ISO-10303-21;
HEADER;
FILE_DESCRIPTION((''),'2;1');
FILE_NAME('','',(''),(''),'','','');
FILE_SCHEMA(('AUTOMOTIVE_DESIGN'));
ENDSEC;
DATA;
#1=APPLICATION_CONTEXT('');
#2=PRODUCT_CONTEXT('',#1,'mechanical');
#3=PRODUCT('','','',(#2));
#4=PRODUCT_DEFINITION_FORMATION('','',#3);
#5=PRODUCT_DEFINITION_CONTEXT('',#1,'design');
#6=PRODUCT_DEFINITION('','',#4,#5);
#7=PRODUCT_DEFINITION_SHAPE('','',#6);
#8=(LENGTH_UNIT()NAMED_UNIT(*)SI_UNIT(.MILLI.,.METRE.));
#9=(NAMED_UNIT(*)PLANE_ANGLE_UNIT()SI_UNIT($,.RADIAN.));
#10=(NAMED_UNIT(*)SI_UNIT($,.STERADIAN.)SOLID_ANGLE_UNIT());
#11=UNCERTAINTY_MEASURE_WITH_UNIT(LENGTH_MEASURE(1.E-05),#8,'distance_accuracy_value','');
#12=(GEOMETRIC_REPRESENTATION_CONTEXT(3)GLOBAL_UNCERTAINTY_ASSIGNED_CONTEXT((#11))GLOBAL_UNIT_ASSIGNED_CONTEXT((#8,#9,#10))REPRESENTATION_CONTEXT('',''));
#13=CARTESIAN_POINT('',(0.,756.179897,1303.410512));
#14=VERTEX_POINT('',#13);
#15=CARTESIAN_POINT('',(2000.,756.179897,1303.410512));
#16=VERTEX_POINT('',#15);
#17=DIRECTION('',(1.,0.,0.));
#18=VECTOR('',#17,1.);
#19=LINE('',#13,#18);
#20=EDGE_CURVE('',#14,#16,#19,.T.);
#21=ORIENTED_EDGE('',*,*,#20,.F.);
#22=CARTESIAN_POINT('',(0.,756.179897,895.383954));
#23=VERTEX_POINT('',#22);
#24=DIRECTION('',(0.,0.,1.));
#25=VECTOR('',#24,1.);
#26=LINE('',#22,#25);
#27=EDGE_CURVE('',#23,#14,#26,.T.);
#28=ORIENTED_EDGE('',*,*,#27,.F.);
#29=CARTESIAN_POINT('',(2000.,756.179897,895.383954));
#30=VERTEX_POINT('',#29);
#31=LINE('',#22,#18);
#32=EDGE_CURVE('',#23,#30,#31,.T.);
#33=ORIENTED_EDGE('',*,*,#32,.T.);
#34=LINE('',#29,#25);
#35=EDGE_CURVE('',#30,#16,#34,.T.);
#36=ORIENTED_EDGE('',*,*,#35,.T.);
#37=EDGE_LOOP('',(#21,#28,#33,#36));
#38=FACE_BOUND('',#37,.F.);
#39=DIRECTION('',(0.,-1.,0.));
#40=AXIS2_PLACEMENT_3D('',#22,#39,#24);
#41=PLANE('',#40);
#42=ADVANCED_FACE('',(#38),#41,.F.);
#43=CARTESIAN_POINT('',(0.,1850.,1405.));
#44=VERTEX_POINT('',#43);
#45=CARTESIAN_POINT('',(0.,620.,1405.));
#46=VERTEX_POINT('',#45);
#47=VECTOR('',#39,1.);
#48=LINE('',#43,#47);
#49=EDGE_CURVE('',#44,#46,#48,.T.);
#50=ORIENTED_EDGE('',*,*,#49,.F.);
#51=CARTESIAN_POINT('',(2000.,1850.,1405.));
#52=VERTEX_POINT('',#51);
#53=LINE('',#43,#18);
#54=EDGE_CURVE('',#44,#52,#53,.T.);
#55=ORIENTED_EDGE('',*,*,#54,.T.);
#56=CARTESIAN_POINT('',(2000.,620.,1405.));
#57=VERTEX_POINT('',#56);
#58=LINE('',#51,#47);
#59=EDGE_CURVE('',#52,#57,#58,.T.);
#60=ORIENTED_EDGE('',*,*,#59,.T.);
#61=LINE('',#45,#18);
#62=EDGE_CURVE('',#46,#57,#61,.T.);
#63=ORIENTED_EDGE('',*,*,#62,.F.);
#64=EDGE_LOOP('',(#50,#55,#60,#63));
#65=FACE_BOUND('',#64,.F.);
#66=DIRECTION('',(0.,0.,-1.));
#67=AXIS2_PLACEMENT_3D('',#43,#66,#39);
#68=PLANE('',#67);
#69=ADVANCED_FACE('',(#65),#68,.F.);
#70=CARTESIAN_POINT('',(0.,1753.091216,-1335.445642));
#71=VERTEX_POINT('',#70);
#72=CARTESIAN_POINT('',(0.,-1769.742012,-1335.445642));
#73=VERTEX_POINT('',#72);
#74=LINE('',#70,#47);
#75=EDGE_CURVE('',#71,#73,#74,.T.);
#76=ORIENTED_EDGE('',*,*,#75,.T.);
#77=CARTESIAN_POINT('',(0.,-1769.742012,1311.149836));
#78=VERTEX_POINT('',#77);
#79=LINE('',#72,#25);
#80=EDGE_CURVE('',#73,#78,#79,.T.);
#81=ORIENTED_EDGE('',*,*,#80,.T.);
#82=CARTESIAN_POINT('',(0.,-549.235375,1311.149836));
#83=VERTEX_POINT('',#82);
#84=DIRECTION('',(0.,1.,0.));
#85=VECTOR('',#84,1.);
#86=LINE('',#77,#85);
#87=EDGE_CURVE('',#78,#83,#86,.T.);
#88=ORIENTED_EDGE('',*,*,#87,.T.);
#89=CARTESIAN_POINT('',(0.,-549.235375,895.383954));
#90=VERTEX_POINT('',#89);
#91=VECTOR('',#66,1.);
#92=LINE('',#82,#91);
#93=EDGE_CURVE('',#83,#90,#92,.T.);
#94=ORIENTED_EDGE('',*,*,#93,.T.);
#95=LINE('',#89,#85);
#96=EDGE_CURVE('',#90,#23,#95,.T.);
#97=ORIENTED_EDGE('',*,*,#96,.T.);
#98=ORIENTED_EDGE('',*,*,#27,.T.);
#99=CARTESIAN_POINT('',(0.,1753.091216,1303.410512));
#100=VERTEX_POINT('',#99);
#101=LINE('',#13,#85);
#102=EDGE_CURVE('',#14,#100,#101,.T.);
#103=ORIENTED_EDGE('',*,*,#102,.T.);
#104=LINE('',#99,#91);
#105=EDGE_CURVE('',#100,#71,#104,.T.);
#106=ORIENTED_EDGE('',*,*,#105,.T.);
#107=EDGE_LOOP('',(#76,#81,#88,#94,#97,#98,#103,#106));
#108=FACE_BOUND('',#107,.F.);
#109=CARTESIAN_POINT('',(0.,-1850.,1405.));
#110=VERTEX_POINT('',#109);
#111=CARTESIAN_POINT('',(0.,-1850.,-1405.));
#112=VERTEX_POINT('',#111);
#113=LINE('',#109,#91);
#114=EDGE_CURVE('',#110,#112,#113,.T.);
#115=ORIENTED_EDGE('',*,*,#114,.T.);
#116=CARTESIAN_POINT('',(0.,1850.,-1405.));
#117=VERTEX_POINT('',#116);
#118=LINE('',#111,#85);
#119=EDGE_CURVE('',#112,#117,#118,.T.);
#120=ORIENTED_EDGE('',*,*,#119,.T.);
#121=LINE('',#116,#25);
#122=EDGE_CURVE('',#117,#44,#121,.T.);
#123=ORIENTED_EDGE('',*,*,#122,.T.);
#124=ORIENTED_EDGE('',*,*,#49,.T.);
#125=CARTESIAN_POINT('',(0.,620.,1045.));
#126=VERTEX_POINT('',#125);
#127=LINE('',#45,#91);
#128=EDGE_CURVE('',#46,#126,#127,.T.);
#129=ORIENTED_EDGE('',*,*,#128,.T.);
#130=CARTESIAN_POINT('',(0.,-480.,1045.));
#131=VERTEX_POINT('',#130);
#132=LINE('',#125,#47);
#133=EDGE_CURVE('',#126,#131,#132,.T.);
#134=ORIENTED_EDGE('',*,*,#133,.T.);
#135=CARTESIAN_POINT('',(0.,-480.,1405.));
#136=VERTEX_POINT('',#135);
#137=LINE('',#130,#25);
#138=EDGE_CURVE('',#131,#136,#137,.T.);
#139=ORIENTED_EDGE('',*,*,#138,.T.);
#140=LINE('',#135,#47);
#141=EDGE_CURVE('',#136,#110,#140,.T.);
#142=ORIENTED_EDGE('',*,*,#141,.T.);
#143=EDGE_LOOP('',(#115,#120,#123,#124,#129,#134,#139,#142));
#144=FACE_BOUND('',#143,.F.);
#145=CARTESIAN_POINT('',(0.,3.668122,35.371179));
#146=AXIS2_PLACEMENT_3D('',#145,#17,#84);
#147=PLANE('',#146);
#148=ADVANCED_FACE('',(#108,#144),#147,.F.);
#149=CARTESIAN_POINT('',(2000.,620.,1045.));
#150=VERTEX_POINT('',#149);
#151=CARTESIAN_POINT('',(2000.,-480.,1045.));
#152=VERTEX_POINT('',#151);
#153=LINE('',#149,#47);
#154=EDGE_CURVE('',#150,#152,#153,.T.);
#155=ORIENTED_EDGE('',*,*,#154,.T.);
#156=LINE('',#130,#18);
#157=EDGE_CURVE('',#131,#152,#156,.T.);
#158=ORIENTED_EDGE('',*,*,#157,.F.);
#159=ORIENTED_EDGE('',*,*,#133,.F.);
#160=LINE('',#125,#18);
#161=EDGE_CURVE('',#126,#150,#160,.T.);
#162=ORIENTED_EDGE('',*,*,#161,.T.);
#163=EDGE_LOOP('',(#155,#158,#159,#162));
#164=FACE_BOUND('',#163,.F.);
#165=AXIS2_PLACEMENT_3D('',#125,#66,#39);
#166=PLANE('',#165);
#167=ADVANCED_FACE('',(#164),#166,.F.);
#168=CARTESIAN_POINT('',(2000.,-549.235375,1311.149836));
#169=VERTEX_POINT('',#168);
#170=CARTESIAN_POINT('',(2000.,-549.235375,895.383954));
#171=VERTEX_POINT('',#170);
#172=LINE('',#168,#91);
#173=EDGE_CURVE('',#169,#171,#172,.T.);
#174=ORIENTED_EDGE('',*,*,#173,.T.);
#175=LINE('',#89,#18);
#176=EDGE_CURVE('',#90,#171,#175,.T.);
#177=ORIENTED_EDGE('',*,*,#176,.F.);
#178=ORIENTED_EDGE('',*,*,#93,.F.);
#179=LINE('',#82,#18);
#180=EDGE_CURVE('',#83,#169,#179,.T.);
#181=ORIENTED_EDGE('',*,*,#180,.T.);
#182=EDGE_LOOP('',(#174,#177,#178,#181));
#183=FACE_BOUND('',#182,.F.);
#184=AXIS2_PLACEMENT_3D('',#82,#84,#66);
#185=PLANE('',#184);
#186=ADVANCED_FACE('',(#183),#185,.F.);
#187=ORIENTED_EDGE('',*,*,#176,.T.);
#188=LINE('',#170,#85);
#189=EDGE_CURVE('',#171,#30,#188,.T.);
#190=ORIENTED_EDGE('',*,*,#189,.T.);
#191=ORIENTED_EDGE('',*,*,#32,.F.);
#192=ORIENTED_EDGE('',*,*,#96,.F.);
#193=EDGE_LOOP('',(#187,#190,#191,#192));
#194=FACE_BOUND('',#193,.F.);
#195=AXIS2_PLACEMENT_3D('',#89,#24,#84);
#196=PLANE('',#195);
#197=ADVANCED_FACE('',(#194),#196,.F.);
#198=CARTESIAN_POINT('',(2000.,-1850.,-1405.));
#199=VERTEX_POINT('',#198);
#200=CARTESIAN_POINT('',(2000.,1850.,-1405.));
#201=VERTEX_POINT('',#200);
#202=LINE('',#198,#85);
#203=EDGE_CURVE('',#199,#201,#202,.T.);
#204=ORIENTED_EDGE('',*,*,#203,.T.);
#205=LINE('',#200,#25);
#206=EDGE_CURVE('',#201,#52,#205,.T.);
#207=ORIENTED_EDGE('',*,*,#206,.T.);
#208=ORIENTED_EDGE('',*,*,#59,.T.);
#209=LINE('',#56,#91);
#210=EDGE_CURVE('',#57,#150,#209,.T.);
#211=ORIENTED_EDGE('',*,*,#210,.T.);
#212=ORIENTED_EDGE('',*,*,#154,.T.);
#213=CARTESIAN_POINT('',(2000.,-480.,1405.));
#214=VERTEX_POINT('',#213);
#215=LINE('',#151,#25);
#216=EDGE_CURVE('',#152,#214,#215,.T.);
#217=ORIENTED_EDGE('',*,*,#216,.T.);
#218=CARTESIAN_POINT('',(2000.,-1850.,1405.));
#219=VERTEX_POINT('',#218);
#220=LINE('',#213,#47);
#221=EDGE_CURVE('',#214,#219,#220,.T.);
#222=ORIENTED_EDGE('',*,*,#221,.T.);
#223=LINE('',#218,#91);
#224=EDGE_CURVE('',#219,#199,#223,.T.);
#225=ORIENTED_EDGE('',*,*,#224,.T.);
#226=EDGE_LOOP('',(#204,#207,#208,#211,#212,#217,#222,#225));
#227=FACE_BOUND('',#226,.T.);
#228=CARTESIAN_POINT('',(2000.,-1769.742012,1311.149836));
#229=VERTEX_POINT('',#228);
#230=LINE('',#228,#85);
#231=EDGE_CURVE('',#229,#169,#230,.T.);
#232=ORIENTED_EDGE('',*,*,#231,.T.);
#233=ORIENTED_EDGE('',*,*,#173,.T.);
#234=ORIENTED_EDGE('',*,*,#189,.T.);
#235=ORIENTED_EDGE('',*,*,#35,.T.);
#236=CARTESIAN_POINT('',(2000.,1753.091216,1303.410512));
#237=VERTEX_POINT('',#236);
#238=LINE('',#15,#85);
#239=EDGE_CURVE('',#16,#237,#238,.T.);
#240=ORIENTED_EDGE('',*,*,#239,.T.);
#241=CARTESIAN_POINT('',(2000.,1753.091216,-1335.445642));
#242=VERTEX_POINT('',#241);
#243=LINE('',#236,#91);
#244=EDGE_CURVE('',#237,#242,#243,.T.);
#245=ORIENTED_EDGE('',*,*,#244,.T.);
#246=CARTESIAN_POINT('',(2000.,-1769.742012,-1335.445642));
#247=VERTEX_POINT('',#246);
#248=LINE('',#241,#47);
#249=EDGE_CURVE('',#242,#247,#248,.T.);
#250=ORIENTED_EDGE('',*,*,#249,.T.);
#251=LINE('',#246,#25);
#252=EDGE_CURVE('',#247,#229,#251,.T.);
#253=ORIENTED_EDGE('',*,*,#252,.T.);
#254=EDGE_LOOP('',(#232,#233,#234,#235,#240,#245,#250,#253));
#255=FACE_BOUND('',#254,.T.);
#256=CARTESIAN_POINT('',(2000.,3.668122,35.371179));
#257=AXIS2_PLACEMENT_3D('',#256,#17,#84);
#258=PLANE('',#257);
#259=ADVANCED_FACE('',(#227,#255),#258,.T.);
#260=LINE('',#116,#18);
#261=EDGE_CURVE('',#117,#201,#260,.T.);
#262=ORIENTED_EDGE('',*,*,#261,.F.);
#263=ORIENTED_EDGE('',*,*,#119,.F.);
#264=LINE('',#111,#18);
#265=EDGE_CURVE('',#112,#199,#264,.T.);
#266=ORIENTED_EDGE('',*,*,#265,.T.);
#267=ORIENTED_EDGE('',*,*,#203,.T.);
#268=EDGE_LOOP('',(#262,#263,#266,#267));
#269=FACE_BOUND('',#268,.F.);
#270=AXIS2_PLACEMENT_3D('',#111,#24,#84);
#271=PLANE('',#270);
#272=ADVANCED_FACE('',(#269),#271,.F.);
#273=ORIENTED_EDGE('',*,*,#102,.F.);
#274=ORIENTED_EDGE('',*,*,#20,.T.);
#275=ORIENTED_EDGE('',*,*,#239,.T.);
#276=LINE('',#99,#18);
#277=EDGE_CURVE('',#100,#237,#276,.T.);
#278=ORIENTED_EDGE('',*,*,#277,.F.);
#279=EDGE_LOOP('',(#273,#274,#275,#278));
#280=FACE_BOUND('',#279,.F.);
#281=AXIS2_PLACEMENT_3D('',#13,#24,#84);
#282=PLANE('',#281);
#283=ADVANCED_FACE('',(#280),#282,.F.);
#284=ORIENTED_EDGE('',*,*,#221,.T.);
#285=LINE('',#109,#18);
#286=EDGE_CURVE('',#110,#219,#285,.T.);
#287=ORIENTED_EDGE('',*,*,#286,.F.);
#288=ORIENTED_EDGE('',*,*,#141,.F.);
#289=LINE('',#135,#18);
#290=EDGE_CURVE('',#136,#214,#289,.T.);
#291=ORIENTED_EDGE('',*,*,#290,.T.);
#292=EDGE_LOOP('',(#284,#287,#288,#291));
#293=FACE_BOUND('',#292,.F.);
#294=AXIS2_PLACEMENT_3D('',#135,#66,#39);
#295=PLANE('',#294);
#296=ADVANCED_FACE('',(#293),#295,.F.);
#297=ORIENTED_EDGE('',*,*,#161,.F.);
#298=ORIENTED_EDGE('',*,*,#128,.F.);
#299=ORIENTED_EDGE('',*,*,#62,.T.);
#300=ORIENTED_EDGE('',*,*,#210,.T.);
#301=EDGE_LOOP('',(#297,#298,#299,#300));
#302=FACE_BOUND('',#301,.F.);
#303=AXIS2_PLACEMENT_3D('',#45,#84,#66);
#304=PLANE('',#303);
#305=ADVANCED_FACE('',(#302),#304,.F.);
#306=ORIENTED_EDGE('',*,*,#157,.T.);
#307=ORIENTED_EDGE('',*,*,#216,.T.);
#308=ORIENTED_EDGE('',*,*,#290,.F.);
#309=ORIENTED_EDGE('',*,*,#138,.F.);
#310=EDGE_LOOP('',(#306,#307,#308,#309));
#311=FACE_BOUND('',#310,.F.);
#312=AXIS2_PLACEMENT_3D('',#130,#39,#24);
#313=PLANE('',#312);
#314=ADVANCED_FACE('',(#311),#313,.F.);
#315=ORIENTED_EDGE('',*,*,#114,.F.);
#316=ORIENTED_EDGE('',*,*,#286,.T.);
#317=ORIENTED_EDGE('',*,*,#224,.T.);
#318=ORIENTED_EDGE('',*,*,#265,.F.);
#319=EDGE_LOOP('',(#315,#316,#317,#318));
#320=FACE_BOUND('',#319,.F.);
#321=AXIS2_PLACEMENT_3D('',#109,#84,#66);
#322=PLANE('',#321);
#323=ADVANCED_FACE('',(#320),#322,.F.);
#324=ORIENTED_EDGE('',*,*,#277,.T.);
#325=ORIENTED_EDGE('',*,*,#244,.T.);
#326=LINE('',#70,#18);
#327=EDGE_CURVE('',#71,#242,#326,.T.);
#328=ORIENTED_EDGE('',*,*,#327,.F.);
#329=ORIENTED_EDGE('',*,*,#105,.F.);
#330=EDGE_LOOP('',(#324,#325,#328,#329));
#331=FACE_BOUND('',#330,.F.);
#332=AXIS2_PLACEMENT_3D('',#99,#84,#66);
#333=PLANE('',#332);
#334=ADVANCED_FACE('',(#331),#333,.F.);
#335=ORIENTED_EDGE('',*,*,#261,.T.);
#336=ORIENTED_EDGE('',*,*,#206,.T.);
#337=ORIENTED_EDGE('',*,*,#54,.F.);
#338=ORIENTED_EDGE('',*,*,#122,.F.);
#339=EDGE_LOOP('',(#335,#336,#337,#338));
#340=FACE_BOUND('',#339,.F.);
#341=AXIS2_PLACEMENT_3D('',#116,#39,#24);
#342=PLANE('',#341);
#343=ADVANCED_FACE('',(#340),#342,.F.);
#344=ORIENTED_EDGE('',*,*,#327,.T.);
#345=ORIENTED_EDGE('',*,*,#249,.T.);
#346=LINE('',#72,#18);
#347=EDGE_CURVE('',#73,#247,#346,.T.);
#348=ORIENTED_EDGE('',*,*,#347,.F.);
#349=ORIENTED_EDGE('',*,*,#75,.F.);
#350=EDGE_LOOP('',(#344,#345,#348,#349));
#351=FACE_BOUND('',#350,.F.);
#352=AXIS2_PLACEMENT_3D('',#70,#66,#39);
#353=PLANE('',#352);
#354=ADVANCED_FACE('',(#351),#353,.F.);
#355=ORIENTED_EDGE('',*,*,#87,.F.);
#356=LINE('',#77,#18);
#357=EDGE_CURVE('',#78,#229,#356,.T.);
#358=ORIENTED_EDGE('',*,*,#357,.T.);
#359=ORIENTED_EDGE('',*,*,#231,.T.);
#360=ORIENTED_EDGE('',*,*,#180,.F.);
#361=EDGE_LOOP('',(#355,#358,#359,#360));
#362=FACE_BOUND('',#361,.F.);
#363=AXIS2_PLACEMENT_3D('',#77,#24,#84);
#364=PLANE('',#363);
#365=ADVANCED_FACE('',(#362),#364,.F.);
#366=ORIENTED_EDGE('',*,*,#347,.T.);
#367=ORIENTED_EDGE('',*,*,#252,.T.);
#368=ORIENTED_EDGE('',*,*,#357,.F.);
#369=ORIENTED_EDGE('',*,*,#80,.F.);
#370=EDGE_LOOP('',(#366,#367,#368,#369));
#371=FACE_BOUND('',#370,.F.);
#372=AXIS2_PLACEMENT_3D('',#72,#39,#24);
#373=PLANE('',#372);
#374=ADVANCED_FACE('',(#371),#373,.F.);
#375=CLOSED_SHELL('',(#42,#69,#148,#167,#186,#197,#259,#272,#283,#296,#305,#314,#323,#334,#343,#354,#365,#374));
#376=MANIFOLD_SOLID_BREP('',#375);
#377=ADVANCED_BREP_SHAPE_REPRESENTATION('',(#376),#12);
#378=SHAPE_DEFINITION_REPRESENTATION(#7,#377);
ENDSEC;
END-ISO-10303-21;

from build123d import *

# Parameters (mm, degrees)
F1_DEPTH = 2000


with BuildPart() as f1:
    # F0 (on Right) → F1 (new body)
    with BuildSketch(Plane.YZ):
        Polygon((-480, 1405), (-1850, 1405), (-1850, -1405), (1850, -1405), (1850, 1405), (620, 1405), (620, 1045), (-480, 1045), align=None)
        Polygon((-1769.742012, -1335.445642), (-1769.742012, 1311.149836), (-549.235375, 1311.149836), (-549.235375, 895.383954), (756.179897, 895.383954), (756.179897, 1303.410512), (1753.091216, 1303.410512), (1753.091216, -1335.445642), align=None, mode=Mode.SUBTRACT)
    extrude(amount=F1_DEPTH)


solid = f1.part
